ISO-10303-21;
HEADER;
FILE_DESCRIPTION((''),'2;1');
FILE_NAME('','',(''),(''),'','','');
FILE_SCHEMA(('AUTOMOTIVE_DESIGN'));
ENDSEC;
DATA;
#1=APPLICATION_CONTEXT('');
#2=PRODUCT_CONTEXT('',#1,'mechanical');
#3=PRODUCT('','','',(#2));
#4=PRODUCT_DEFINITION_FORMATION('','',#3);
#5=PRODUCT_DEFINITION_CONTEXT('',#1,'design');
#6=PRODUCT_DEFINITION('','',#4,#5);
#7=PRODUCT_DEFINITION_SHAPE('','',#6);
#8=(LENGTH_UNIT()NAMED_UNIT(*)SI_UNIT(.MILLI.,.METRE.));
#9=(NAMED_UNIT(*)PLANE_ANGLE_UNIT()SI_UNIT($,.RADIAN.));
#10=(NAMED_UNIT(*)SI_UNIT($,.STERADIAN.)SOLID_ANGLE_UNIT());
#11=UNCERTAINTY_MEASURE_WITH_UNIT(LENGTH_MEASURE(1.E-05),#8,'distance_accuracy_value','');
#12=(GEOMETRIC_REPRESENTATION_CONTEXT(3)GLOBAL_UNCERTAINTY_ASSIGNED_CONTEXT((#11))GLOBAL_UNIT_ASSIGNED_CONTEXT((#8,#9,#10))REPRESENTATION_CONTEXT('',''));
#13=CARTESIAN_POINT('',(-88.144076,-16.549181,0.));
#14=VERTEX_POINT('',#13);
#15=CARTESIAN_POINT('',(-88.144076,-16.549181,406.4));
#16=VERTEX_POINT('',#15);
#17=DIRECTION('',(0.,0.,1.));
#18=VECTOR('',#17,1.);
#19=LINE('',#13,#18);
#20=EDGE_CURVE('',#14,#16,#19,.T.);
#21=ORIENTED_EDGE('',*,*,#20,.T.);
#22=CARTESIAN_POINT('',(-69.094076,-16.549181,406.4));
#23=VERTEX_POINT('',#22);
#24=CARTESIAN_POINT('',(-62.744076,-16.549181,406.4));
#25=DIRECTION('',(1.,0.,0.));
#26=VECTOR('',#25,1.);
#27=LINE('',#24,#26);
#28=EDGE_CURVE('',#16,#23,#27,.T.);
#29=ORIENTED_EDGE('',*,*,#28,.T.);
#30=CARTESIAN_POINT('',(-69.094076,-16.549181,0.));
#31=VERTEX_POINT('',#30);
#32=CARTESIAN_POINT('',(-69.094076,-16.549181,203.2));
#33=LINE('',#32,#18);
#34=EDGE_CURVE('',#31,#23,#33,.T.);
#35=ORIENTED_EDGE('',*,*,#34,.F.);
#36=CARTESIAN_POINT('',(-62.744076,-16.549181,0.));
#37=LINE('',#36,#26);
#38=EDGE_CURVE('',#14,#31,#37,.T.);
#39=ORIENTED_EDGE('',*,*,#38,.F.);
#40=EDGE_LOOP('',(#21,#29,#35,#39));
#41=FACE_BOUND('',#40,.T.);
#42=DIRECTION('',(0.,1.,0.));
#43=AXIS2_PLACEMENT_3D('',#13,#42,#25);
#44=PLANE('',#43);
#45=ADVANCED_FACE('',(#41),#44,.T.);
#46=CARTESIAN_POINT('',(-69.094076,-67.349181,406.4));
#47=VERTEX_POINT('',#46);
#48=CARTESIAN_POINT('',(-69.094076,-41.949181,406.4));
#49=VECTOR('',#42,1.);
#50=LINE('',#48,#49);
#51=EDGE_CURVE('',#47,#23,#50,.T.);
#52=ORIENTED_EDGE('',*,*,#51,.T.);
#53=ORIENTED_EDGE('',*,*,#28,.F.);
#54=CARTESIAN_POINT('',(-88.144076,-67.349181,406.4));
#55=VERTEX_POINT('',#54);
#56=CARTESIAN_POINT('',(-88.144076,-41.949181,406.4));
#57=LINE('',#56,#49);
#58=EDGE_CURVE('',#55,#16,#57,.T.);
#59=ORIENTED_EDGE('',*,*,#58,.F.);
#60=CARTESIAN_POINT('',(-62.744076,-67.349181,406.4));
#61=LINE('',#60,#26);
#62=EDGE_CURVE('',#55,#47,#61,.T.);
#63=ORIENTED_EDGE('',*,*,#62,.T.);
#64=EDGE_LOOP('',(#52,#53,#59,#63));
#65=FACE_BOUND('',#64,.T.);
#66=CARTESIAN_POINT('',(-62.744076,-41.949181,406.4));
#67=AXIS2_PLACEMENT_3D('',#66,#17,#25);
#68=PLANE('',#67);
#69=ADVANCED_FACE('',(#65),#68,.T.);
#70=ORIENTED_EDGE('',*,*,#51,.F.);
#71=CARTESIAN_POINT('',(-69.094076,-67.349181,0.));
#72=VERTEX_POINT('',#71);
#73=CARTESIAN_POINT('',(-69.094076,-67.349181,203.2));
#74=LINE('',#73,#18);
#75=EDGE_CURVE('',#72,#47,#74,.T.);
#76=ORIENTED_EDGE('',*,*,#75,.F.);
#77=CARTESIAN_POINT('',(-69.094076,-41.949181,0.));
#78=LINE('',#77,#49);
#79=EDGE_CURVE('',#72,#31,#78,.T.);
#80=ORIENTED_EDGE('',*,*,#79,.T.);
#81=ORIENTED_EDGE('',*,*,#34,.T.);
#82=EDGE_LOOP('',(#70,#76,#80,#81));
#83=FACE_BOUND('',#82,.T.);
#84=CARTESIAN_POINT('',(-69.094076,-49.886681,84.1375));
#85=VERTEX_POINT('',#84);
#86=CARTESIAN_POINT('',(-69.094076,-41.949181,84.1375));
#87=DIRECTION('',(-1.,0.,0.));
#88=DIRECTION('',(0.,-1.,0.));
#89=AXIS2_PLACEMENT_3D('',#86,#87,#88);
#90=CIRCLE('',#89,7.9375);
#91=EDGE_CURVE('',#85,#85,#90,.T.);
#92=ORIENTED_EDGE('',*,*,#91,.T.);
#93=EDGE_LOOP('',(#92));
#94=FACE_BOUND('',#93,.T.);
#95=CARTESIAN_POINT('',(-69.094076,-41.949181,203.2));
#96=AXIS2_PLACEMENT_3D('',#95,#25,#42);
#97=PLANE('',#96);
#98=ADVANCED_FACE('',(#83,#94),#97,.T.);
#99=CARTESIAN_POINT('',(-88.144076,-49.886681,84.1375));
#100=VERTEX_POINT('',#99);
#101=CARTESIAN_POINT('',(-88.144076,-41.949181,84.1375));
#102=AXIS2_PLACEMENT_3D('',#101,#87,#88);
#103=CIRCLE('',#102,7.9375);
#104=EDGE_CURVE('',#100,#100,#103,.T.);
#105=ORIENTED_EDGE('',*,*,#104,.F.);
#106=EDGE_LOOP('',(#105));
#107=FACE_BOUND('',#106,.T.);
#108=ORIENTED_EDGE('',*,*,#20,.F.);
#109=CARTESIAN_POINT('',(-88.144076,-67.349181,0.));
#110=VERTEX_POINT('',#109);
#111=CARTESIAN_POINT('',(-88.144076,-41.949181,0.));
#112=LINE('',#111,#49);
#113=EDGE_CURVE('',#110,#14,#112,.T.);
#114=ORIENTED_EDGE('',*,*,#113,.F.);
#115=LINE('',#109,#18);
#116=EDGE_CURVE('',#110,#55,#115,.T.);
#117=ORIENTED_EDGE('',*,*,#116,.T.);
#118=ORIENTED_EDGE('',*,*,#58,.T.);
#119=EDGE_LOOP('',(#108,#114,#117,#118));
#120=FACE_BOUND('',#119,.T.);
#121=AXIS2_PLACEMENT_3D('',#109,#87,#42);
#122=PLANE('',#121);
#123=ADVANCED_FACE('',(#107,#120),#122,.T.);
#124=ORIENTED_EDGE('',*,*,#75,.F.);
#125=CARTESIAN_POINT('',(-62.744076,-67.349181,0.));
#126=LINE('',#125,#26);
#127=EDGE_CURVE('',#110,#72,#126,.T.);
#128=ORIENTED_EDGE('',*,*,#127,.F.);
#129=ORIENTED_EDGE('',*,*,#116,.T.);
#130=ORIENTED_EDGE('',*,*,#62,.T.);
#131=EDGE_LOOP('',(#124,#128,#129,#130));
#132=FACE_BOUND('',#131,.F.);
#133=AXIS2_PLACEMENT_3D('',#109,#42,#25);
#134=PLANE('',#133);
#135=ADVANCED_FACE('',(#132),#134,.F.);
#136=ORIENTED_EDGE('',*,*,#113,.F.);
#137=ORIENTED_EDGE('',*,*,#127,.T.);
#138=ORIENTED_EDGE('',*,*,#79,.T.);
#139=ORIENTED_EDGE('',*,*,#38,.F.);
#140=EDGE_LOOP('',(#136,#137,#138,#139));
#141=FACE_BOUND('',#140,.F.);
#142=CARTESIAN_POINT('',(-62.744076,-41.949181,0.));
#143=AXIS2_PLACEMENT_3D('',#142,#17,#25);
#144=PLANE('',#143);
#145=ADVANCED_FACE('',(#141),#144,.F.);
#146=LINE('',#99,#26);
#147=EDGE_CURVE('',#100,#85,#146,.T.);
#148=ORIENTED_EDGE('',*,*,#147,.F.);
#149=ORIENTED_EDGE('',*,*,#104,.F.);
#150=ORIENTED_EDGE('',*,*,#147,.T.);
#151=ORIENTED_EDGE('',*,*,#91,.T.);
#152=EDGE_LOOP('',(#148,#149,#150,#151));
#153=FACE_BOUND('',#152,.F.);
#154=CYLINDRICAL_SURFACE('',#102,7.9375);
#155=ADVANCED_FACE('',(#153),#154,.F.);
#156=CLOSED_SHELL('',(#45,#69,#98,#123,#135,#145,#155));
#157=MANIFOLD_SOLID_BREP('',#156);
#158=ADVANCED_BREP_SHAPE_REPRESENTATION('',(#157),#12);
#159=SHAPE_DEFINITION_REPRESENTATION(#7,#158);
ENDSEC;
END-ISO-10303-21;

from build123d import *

# Parameters (mm, degrees)
F0_W      = 50.8
F0_H      = 50.8
F1_DEPTH  = 406.4
F1_FACE_W = 50.8
F1_FACE_H = 406.4
F2_DEPTH  = 31.75
F3_R      = 7.9375
F4_DEPTH  = 19.05


with BuildPart() as f1:
    # F0 (on Top) → F1 (new body)
    with BuildSketch(Plane.XY):
        with Locations((-62.744076, -41.949181)):
            Rectangle(F0_W, F0_H)
    extrude(amount=F1_DEPTH)

    # F1_face (on face) → F2 (cut)
    with BuildSketch(Plane(origin=(-37.344076, -41.949181, 203.2), x_dir=(0, 1, 0), z_dir=(1, 0, 0))):
        Rectangle(F1_FACE_W, F1_FACE_H)
    extrude(amount=-F2_DEPTH, mode=Mode.SUBTRACT)

    # F3 (on face) → F4 (cut)
    with BuildSketch(Plane(origin=(-88.144076, 0, 0), x_dir=(0, -1, 0), z_dir=(-1, 0, 0))):
        with Locations((41.949181, 84.1375)):
            Circle(F3_R)
    extrude(amount=-F4_DEPTH, mode=Mode.SUBTRACT)


solid = f1.part
